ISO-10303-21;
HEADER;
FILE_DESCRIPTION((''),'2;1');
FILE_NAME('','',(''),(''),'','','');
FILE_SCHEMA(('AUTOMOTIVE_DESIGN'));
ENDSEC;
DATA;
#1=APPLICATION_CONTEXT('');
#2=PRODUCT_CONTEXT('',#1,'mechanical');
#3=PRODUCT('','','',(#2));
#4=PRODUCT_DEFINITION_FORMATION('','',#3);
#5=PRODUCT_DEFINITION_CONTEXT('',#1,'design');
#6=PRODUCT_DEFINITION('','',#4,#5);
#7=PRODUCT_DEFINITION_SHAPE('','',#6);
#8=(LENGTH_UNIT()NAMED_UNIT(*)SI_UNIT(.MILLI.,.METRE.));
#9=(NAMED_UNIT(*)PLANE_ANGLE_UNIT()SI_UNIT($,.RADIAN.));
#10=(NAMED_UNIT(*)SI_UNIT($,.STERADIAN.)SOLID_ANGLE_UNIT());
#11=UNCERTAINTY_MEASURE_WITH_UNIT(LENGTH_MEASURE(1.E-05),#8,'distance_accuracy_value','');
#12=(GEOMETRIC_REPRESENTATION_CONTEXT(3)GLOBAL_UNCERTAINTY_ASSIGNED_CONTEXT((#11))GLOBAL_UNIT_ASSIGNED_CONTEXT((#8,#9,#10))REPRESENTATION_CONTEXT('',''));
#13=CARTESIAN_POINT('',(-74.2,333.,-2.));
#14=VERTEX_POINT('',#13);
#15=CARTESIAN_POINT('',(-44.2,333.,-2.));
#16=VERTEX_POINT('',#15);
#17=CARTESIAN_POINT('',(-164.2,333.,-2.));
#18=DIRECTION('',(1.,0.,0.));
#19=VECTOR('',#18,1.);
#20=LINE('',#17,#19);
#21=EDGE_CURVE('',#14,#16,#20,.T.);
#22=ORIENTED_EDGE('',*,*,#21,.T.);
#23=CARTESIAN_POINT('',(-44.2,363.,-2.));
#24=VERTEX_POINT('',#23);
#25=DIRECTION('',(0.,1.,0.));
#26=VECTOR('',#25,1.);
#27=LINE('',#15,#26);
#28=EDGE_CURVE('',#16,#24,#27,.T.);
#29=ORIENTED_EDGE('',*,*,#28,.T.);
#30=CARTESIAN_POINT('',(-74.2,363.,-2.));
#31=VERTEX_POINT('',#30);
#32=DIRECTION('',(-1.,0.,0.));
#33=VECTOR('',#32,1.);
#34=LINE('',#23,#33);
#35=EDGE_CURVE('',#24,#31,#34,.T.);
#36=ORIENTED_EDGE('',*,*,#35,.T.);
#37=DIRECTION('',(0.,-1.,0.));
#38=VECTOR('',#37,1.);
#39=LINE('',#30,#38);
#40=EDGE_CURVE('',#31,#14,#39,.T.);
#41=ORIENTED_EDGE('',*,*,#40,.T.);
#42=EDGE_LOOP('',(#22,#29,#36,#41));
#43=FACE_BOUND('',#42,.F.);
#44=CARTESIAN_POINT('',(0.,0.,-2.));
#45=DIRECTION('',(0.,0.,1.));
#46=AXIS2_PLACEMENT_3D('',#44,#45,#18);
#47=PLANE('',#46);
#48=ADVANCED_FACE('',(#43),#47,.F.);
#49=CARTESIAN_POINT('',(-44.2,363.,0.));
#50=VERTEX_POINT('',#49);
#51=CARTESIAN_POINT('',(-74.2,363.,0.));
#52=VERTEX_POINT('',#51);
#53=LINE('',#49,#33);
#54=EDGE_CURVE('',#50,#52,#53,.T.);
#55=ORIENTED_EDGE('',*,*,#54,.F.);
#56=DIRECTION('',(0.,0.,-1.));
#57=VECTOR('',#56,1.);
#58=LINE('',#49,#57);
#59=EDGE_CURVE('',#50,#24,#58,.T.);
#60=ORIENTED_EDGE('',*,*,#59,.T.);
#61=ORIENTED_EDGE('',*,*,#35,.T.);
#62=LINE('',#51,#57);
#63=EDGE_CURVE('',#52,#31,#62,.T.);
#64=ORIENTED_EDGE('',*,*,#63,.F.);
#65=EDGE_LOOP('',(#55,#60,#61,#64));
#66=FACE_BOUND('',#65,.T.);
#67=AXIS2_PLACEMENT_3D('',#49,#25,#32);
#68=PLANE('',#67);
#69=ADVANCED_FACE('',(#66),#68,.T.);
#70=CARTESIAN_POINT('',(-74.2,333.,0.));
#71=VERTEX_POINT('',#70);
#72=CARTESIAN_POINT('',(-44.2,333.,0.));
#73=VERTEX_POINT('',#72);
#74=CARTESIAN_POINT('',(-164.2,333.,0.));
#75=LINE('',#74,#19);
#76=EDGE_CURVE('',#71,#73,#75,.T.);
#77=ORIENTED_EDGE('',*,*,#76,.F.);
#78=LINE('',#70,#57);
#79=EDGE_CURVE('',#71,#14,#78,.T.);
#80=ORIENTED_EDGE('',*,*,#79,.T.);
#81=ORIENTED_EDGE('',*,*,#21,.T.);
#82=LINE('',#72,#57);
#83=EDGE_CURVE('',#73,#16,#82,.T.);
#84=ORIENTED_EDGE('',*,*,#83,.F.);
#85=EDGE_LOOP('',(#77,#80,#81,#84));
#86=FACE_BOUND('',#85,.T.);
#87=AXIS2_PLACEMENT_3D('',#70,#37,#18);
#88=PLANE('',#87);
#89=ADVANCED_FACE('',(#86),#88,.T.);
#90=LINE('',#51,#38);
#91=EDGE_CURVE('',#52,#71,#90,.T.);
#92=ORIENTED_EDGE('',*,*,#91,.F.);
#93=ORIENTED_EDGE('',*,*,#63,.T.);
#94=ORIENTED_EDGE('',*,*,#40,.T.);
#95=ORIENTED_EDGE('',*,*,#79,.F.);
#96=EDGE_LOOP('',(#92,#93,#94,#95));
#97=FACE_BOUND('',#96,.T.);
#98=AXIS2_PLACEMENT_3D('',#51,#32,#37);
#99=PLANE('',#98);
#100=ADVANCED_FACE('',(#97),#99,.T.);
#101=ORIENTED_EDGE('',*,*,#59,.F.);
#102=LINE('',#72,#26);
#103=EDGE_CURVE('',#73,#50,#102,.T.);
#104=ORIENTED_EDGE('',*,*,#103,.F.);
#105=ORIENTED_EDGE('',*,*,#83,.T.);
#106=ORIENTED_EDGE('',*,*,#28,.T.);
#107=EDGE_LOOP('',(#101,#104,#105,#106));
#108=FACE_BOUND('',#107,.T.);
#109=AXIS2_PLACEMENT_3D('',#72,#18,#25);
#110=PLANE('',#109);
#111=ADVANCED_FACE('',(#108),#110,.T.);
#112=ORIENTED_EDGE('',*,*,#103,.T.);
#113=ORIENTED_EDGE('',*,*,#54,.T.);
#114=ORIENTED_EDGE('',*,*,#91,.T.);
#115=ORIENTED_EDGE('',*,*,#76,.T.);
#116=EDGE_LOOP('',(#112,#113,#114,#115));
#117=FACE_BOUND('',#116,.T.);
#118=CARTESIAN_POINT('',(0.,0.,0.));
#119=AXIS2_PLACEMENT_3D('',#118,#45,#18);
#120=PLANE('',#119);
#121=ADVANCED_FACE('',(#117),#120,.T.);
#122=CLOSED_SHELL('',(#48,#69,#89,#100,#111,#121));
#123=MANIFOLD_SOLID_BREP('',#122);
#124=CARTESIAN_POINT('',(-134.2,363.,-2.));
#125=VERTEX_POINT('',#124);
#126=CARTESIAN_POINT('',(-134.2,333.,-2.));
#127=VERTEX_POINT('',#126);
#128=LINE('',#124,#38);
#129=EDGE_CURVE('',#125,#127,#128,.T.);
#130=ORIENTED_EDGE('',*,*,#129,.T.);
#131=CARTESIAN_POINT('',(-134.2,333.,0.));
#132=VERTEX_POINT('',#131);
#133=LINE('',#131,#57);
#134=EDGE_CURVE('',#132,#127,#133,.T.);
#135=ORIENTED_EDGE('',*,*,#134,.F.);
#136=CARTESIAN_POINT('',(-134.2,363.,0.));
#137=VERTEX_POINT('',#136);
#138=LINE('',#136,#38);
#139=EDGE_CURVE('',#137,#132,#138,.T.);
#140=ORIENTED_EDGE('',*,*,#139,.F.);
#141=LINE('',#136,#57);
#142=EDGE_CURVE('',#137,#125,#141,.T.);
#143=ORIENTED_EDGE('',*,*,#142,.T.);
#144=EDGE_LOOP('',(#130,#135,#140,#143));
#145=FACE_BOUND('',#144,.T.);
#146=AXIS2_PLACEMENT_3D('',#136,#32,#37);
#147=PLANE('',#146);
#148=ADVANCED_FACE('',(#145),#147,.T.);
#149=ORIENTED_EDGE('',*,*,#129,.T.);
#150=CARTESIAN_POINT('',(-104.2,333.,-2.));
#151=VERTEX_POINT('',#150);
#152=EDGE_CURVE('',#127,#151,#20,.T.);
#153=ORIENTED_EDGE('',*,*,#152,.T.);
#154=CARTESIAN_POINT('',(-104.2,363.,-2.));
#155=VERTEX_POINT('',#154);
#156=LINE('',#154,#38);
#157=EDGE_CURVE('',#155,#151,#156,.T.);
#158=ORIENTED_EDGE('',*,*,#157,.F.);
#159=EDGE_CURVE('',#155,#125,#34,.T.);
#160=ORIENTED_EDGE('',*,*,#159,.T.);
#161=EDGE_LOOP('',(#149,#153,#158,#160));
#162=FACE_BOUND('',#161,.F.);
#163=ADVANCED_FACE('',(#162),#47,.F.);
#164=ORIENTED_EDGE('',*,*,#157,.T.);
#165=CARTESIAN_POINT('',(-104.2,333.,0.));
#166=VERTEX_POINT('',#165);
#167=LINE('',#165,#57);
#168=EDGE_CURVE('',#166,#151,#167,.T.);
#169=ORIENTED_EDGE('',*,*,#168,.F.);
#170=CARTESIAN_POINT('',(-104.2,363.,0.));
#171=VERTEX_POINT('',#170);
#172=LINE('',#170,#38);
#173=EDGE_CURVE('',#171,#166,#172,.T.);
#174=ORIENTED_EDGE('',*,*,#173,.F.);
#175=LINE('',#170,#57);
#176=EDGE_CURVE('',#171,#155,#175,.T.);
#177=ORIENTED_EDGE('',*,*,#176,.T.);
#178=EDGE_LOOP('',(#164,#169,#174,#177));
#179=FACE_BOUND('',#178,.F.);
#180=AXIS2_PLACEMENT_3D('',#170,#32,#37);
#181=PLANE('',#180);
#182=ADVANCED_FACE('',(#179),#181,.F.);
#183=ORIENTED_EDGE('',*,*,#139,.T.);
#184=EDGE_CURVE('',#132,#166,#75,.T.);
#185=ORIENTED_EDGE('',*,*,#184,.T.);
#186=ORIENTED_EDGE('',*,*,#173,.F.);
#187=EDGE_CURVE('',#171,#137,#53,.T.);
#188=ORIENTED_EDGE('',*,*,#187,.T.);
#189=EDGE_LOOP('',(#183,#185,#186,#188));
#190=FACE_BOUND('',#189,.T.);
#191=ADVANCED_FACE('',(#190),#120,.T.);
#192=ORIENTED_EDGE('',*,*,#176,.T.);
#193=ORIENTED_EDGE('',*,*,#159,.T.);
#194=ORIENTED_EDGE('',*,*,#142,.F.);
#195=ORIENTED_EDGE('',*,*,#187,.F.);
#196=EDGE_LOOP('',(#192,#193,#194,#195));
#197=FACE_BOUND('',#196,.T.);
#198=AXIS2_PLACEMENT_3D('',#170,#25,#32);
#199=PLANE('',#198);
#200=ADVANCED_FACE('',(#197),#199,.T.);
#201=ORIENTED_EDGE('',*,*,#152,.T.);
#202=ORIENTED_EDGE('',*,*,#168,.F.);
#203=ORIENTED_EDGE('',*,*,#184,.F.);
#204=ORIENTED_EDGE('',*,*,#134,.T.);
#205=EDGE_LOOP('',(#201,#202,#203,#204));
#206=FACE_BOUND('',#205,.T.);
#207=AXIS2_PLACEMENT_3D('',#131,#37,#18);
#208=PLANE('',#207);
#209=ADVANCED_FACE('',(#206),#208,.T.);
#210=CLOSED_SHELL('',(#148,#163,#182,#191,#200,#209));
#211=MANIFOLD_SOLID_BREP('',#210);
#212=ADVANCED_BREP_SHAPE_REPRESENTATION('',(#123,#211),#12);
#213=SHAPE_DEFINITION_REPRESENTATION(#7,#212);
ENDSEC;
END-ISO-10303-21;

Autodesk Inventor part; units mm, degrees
ref_plane "YZ Plane" through (0, 0, 0) normal (1, 0, 0) x (0, 1, 0)
ref_plane "XZ Plane" through (0, 0, 0) normal (0, 1, 0) x (-1, 0, 0)
ref_plane "XY Plane" through (0, 0, 0) normal (0, 0, 1) x (1, 0, 0)
ref_plane "Plano de trabajo1" through (0, 0, 0) normal (0, 0, 1) x (1, 0, 0)
sketch "Boceto1" plane through (0, 0, 0) normal (0, 0, 1) x (1, 0, 0)
  line L0 (-164.2, 333) -> (-44.2, 333)
  line L1 (-44.2, 333) -> (-44.2, 363)
  line L2 (-44.2, 363) -> (-164.2, 363)
  line L3 (-164.2, 363) -> (-164.2, 333)
  line L4 (-134.2, 363) -> (-134.2, 333)
  line L5 (-104.2, 363) -> (-104.2, 333)
  line L6 (-74.2, 363) -> (-74.2, 333)
  point P0 (0, 0)
  dimension "d0" = 120
  dimension "d1" = 30
  dimension "d2" = 30
  dimension "d3" = 30
extrude "Extrusión1" add sketch "Boceto1" against normal blind 2 contours L4 L2 L5 L0 | L6 L2 L1 L0
equation "\"Radio_pliegue\" = Grosor"
equation "\"Anchura_desahogo_plegado\" = Grosor"
equation "\"Profundidad_desahogo_plegado\" = 0.5 * Grosor"
equation "\"Tamaño_destalonado\" = 4 * Grosor"
equation "\"Remanente_mínimo\" = 2 * Grosor"
equation "\"Radiodetransición\" = Radio_pliegue"
equation "\"Tamaño_de_radio_de_Jacobi\" = Radio_pliegue"
equation "\"TamañoSeparación\" = Grosor"
equation "\"Grosor\" = 0.5"
